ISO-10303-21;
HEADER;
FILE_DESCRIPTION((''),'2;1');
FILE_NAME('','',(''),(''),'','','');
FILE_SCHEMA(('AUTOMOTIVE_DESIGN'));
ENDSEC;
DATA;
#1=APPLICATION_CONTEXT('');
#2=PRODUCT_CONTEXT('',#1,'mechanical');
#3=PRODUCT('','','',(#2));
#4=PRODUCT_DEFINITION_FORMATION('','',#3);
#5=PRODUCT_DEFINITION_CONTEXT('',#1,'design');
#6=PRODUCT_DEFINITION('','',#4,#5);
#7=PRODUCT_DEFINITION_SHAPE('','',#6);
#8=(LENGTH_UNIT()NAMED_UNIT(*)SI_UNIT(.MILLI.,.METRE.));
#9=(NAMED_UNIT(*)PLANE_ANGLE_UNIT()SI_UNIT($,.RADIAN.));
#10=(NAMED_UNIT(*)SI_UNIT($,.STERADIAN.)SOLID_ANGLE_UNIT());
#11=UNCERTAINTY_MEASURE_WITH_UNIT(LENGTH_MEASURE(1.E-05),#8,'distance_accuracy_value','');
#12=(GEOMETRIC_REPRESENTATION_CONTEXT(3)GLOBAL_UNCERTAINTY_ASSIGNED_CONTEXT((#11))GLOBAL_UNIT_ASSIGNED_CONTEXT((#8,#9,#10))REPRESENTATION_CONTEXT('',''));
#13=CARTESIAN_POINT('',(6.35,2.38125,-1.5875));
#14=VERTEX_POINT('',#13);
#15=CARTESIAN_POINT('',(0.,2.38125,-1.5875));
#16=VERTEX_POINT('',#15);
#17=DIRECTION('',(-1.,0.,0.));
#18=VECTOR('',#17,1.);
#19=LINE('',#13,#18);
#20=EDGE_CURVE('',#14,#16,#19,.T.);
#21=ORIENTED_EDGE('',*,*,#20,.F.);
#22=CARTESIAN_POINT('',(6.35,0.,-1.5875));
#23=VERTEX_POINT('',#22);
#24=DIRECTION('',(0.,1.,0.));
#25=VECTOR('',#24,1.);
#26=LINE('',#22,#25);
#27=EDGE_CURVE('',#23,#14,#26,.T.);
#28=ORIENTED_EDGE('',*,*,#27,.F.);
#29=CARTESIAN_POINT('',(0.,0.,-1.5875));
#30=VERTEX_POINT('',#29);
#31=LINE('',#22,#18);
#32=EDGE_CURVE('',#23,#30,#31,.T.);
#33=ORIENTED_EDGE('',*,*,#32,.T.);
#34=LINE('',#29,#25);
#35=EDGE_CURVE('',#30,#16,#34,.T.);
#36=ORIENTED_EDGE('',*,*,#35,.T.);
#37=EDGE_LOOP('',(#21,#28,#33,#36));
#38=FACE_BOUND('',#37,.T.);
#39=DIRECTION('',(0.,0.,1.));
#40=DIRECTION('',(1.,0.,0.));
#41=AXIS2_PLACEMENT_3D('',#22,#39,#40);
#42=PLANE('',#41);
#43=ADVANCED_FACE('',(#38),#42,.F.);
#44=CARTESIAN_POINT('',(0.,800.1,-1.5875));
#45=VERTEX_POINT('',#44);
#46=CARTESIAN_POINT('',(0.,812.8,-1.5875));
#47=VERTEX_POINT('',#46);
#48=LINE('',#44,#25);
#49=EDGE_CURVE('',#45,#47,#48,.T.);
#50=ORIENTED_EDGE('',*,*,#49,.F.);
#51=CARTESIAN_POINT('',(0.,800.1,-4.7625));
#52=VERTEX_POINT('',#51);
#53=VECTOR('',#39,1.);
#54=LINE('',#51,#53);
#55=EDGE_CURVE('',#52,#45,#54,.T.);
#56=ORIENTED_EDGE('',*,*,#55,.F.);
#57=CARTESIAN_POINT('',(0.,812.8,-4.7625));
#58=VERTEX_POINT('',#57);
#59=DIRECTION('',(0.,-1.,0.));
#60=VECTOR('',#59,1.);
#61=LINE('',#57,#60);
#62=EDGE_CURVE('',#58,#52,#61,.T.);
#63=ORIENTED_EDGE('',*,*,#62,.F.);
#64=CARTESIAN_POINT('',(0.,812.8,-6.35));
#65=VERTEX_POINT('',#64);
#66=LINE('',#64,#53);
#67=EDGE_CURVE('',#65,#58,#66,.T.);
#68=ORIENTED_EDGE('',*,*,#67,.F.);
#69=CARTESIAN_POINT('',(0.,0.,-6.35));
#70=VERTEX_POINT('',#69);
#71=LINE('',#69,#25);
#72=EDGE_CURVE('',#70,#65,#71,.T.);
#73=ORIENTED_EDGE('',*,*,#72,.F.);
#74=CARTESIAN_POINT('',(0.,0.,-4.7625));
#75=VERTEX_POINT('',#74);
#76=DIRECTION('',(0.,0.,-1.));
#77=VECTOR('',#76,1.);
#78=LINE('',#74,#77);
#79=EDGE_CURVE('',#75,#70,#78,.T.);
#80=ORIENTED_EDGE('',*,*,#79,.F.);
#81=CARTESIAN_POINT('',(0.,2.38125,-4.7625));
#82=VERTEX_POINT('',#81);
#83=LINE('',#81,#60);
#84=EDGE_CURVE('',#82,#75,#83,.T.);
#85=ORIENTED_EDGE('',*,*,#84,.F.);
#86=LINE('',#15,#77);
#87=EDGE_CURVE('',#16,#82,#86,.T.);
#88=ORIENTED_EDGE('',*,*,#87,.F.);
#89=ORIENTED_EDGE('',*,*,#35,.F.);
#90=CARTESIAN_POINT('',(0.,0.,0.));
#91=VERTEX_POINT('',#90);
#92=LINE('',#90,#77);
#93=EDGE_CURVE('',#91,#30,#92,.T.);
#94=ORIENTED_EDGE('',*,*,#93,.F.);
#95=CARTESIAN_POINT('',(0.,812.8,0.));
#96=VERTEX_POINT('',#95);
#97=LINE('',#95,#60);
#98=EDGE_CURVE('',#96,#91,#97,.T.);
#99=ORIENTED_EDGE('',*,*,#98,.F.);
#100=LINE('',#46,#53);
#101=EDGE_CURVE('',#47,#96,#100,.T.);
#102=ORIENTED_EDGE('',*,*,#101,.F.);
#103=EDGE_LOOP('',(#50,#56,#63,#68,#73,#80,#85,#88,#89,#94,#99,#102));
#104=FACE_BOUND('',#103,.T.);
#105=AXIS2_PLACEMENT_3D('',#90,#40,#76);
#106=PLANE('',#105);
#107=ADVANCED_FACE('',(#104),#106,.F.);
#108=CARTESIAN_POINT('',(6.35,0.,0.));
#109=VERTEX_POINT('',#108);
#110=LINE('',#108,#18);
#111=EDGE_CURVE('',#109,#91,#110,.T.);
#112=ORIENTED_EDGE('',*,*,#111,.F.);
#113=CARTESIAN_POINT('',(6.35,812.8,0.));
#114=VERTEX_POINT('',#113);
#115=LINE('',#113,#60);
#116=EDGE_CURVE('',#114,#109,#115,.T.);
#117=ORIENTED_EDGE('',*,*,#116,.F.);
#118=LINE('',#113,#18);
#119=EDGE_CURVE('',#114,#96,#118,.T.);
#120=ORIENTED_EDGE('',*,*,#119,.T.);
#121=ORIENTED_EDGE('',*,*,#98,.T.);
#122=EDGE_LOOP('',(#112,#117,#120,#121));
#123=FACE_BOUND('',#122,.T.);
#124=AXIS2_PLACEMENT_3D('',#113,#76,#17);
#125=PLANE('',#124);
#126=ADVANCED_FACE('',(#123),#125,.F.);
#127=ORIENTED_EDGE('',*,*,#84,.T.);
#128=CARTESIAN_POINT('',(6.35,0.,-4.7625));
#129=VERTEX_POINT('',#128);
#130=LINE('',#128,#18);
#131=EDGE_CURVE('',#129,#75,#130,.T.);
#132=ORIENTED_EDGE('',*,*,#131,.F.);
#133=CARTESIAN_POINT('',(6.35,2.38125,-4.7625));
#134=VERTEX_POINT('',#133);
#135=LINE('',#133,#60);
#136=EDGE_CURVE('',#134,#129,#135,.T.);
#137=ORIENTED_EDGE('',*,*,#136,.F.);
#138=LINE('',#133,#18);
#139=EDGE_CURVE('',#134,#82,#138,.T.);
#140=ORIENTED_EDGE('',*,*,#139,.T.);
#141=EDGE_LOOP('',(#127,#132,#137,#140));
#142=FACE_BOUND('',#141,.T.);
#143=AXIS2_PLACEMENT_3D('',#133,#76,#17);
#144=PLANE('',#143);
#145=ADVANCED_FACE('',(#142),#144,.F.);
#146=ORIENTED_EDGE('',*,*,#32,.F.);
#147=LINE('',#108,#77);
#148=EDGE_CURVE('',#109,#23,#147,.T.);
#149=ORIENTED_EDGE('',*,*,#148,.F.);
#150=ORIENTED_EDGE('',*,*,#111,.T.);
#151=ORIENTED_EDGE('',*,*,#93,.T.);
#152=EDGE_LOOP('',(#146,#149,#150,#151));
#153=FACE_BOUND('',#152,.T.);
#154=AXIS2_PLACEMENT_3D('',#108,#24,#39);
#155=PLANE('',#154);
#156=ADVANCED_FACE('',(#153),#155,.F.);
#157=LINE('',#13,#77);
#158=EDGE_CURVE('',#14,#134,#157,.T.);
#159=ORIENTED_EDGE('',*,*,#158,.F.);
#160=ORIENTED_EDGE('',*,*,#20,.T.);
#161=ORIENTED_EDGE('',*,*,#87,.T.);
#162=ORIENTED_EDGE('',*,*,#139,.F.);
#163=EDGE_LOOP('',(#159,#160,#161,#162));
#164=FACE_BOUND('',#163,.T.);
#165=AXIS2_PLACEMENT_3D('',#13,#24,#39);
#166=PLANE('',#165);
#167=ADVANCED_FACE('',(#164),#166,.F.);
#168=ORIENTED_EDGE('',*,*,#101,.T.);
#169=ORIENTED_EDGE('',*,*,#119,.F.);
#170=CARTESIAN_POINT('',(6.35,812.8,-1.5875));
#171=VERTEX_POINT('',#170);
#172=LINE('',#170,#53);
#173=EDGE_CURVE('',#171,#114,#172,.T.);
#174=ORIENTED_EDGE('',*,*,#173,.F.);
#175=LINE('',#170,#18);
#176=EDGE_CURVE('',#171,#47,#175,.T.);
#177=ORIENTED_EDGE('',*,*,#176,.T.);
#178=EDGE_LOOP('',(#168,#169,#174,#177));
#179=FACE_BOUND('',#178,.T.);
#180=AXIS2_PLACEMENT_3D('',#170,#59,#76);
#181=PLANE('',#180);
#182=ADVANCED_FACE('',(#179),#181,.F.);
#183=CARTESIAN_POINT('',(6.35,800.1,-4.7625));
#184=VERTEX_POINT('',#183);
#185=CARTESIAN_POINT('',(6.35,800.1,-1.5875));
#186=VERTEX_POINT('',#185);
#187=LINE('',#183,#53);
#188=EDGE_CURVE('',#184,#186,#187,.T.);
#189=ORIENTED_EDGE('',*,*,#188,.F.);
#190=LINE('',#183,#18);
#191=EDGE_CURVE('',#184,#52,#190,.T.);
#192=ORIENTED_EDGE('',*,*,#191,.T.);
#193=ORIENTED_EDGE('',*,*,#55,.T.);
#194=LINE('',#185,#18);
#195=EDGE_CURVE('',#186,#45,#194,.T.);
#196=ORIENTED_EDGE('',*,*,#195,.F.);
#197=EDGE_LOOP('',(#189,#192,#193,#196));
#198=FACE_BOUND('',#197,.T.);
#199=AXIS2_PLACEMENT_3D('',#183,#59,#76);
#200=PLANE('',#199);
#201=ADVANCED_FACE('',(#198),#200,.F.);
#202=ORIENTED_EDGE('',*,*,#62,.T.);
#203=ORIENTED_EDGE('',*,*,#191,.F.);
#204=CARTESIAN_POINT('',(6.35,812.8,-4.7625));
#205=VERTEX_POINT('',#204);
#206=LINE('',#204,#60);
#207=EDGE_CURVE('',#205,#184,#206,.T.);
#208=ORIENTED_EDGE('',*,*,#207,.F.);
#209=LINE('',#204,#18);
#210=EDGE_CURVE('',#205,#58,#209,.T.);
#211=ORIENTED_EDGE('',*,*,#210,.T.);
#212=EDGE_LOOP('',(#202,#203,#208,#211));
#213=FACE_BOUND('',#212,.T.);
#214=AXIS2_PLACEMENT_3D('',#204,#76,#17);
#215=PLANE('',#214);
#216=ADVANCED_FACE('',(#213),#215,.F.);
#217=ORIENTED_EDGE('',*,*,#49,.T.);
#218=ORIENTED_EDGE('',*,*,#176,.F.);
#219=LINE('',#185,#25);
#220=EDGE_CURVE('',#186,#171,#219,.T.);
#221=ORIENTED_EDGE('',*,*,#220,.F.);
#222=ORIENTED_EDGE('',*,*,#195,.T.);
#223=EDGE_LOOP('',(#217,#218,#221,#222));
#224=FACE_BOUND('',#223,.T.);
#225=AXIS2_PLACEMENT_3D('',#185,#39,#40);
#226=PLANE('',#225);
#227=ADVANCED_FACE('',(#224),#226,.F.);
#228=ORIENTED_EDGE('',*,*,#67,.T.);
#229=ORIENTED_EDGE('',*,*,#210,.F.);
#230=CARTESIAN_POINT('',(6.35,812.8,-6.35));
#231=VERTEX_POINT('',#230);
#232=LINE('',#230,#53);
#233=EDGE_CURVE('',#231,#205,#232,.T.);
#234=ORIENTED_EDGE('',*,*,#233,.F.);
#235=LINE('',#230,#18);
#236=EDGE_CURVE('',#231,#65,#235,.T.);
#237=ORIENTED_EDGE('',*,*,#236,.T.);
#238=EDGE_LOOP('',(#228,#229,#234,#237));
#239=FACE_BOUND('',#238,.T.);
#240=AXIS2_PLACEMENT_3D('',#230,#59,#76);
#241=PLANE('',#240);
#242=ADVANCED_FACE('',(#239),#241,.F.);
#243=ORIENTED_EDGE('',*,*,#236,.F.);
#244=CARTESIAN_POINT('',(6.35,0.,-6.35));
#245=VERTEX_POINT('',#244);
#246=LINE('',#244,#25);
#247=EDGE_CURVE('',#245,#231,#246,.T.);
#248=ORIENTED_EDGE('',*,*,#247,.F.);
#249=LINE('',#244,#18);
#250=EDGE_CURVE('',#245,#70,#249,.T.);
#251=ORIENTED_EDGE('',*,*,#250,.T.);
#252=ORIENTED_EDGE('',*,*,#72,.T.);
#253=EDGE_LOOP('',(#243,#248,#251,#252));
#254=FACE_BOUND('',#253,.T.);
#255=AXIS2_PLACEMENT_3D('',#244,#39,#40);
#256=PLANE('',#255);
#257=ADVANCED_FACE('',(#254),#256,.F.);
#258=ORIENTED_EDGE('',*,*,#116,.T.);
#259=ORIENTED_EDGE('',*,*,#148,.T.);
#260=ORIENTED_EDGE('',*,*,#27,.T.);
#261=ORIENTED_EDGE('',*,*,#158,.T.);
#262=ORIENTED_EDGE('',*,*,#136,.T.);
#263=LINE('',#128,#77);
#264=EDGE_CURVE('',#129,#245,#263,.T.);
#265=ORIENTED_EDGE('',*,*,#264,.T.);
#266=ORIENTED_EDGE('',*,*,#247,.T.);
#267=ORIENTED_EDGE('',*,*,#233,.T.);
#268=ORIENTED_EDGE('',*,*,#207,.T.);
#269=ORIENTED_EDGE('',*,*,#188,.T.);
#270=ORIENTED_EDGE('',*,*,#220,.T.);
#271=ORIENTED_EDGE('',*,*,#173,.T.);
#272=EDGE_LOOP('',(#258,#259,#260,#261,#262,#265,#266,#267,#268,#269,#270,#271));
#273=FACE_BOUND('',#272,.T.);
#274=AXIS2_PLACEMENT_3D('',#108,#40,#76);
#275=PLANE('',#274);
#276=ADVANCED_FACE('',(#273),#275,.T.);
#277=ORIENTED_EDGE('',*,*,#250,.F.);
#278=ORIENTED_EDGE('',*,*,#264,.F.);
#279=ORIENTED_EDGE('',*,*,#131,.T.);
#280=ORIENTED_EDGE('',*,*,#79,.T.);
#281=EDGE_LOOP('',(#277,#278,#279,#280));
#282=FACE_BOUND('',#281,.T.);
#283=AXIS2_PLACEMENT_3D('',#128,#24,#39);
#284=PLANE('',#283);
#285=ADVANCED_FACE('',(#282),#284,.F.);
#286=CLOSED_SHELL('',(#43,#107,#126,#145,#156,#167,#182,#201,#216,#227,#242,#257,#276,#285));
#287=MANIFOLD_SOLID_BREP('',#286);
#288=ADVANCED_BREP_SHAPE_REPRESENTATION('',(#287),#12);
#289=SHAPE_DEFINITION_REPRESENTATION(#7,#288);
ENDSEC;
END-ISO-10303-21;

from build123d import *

# Parameters (mm, degrees)
BOSS_EXTRUDE1_DEPTH = 6.35


with BuildPart() as part:
    # Sketch1 → Boss-Extrude1 (new body)
    with BuildSketch(Plane(origin=(0, 0, 0), x_dir=(0, 0, -1), z_dir=(1, 0, 0))):
        Polygon((0, 0), (1.5875, 0), (1.5875, 2.38125), (4.7625, 2.38125), (4.7625, 0), (6.35, 0), (6.35, 812.8), (4.7625, 812.8), (4.7625, 800.1), (1.5875, 800.1), (1.5875, 812.8), (0, 812.8), align=None)
    extrude(amount=BOSS_EXTRUDE1_DEPTH)


solid = part.part
